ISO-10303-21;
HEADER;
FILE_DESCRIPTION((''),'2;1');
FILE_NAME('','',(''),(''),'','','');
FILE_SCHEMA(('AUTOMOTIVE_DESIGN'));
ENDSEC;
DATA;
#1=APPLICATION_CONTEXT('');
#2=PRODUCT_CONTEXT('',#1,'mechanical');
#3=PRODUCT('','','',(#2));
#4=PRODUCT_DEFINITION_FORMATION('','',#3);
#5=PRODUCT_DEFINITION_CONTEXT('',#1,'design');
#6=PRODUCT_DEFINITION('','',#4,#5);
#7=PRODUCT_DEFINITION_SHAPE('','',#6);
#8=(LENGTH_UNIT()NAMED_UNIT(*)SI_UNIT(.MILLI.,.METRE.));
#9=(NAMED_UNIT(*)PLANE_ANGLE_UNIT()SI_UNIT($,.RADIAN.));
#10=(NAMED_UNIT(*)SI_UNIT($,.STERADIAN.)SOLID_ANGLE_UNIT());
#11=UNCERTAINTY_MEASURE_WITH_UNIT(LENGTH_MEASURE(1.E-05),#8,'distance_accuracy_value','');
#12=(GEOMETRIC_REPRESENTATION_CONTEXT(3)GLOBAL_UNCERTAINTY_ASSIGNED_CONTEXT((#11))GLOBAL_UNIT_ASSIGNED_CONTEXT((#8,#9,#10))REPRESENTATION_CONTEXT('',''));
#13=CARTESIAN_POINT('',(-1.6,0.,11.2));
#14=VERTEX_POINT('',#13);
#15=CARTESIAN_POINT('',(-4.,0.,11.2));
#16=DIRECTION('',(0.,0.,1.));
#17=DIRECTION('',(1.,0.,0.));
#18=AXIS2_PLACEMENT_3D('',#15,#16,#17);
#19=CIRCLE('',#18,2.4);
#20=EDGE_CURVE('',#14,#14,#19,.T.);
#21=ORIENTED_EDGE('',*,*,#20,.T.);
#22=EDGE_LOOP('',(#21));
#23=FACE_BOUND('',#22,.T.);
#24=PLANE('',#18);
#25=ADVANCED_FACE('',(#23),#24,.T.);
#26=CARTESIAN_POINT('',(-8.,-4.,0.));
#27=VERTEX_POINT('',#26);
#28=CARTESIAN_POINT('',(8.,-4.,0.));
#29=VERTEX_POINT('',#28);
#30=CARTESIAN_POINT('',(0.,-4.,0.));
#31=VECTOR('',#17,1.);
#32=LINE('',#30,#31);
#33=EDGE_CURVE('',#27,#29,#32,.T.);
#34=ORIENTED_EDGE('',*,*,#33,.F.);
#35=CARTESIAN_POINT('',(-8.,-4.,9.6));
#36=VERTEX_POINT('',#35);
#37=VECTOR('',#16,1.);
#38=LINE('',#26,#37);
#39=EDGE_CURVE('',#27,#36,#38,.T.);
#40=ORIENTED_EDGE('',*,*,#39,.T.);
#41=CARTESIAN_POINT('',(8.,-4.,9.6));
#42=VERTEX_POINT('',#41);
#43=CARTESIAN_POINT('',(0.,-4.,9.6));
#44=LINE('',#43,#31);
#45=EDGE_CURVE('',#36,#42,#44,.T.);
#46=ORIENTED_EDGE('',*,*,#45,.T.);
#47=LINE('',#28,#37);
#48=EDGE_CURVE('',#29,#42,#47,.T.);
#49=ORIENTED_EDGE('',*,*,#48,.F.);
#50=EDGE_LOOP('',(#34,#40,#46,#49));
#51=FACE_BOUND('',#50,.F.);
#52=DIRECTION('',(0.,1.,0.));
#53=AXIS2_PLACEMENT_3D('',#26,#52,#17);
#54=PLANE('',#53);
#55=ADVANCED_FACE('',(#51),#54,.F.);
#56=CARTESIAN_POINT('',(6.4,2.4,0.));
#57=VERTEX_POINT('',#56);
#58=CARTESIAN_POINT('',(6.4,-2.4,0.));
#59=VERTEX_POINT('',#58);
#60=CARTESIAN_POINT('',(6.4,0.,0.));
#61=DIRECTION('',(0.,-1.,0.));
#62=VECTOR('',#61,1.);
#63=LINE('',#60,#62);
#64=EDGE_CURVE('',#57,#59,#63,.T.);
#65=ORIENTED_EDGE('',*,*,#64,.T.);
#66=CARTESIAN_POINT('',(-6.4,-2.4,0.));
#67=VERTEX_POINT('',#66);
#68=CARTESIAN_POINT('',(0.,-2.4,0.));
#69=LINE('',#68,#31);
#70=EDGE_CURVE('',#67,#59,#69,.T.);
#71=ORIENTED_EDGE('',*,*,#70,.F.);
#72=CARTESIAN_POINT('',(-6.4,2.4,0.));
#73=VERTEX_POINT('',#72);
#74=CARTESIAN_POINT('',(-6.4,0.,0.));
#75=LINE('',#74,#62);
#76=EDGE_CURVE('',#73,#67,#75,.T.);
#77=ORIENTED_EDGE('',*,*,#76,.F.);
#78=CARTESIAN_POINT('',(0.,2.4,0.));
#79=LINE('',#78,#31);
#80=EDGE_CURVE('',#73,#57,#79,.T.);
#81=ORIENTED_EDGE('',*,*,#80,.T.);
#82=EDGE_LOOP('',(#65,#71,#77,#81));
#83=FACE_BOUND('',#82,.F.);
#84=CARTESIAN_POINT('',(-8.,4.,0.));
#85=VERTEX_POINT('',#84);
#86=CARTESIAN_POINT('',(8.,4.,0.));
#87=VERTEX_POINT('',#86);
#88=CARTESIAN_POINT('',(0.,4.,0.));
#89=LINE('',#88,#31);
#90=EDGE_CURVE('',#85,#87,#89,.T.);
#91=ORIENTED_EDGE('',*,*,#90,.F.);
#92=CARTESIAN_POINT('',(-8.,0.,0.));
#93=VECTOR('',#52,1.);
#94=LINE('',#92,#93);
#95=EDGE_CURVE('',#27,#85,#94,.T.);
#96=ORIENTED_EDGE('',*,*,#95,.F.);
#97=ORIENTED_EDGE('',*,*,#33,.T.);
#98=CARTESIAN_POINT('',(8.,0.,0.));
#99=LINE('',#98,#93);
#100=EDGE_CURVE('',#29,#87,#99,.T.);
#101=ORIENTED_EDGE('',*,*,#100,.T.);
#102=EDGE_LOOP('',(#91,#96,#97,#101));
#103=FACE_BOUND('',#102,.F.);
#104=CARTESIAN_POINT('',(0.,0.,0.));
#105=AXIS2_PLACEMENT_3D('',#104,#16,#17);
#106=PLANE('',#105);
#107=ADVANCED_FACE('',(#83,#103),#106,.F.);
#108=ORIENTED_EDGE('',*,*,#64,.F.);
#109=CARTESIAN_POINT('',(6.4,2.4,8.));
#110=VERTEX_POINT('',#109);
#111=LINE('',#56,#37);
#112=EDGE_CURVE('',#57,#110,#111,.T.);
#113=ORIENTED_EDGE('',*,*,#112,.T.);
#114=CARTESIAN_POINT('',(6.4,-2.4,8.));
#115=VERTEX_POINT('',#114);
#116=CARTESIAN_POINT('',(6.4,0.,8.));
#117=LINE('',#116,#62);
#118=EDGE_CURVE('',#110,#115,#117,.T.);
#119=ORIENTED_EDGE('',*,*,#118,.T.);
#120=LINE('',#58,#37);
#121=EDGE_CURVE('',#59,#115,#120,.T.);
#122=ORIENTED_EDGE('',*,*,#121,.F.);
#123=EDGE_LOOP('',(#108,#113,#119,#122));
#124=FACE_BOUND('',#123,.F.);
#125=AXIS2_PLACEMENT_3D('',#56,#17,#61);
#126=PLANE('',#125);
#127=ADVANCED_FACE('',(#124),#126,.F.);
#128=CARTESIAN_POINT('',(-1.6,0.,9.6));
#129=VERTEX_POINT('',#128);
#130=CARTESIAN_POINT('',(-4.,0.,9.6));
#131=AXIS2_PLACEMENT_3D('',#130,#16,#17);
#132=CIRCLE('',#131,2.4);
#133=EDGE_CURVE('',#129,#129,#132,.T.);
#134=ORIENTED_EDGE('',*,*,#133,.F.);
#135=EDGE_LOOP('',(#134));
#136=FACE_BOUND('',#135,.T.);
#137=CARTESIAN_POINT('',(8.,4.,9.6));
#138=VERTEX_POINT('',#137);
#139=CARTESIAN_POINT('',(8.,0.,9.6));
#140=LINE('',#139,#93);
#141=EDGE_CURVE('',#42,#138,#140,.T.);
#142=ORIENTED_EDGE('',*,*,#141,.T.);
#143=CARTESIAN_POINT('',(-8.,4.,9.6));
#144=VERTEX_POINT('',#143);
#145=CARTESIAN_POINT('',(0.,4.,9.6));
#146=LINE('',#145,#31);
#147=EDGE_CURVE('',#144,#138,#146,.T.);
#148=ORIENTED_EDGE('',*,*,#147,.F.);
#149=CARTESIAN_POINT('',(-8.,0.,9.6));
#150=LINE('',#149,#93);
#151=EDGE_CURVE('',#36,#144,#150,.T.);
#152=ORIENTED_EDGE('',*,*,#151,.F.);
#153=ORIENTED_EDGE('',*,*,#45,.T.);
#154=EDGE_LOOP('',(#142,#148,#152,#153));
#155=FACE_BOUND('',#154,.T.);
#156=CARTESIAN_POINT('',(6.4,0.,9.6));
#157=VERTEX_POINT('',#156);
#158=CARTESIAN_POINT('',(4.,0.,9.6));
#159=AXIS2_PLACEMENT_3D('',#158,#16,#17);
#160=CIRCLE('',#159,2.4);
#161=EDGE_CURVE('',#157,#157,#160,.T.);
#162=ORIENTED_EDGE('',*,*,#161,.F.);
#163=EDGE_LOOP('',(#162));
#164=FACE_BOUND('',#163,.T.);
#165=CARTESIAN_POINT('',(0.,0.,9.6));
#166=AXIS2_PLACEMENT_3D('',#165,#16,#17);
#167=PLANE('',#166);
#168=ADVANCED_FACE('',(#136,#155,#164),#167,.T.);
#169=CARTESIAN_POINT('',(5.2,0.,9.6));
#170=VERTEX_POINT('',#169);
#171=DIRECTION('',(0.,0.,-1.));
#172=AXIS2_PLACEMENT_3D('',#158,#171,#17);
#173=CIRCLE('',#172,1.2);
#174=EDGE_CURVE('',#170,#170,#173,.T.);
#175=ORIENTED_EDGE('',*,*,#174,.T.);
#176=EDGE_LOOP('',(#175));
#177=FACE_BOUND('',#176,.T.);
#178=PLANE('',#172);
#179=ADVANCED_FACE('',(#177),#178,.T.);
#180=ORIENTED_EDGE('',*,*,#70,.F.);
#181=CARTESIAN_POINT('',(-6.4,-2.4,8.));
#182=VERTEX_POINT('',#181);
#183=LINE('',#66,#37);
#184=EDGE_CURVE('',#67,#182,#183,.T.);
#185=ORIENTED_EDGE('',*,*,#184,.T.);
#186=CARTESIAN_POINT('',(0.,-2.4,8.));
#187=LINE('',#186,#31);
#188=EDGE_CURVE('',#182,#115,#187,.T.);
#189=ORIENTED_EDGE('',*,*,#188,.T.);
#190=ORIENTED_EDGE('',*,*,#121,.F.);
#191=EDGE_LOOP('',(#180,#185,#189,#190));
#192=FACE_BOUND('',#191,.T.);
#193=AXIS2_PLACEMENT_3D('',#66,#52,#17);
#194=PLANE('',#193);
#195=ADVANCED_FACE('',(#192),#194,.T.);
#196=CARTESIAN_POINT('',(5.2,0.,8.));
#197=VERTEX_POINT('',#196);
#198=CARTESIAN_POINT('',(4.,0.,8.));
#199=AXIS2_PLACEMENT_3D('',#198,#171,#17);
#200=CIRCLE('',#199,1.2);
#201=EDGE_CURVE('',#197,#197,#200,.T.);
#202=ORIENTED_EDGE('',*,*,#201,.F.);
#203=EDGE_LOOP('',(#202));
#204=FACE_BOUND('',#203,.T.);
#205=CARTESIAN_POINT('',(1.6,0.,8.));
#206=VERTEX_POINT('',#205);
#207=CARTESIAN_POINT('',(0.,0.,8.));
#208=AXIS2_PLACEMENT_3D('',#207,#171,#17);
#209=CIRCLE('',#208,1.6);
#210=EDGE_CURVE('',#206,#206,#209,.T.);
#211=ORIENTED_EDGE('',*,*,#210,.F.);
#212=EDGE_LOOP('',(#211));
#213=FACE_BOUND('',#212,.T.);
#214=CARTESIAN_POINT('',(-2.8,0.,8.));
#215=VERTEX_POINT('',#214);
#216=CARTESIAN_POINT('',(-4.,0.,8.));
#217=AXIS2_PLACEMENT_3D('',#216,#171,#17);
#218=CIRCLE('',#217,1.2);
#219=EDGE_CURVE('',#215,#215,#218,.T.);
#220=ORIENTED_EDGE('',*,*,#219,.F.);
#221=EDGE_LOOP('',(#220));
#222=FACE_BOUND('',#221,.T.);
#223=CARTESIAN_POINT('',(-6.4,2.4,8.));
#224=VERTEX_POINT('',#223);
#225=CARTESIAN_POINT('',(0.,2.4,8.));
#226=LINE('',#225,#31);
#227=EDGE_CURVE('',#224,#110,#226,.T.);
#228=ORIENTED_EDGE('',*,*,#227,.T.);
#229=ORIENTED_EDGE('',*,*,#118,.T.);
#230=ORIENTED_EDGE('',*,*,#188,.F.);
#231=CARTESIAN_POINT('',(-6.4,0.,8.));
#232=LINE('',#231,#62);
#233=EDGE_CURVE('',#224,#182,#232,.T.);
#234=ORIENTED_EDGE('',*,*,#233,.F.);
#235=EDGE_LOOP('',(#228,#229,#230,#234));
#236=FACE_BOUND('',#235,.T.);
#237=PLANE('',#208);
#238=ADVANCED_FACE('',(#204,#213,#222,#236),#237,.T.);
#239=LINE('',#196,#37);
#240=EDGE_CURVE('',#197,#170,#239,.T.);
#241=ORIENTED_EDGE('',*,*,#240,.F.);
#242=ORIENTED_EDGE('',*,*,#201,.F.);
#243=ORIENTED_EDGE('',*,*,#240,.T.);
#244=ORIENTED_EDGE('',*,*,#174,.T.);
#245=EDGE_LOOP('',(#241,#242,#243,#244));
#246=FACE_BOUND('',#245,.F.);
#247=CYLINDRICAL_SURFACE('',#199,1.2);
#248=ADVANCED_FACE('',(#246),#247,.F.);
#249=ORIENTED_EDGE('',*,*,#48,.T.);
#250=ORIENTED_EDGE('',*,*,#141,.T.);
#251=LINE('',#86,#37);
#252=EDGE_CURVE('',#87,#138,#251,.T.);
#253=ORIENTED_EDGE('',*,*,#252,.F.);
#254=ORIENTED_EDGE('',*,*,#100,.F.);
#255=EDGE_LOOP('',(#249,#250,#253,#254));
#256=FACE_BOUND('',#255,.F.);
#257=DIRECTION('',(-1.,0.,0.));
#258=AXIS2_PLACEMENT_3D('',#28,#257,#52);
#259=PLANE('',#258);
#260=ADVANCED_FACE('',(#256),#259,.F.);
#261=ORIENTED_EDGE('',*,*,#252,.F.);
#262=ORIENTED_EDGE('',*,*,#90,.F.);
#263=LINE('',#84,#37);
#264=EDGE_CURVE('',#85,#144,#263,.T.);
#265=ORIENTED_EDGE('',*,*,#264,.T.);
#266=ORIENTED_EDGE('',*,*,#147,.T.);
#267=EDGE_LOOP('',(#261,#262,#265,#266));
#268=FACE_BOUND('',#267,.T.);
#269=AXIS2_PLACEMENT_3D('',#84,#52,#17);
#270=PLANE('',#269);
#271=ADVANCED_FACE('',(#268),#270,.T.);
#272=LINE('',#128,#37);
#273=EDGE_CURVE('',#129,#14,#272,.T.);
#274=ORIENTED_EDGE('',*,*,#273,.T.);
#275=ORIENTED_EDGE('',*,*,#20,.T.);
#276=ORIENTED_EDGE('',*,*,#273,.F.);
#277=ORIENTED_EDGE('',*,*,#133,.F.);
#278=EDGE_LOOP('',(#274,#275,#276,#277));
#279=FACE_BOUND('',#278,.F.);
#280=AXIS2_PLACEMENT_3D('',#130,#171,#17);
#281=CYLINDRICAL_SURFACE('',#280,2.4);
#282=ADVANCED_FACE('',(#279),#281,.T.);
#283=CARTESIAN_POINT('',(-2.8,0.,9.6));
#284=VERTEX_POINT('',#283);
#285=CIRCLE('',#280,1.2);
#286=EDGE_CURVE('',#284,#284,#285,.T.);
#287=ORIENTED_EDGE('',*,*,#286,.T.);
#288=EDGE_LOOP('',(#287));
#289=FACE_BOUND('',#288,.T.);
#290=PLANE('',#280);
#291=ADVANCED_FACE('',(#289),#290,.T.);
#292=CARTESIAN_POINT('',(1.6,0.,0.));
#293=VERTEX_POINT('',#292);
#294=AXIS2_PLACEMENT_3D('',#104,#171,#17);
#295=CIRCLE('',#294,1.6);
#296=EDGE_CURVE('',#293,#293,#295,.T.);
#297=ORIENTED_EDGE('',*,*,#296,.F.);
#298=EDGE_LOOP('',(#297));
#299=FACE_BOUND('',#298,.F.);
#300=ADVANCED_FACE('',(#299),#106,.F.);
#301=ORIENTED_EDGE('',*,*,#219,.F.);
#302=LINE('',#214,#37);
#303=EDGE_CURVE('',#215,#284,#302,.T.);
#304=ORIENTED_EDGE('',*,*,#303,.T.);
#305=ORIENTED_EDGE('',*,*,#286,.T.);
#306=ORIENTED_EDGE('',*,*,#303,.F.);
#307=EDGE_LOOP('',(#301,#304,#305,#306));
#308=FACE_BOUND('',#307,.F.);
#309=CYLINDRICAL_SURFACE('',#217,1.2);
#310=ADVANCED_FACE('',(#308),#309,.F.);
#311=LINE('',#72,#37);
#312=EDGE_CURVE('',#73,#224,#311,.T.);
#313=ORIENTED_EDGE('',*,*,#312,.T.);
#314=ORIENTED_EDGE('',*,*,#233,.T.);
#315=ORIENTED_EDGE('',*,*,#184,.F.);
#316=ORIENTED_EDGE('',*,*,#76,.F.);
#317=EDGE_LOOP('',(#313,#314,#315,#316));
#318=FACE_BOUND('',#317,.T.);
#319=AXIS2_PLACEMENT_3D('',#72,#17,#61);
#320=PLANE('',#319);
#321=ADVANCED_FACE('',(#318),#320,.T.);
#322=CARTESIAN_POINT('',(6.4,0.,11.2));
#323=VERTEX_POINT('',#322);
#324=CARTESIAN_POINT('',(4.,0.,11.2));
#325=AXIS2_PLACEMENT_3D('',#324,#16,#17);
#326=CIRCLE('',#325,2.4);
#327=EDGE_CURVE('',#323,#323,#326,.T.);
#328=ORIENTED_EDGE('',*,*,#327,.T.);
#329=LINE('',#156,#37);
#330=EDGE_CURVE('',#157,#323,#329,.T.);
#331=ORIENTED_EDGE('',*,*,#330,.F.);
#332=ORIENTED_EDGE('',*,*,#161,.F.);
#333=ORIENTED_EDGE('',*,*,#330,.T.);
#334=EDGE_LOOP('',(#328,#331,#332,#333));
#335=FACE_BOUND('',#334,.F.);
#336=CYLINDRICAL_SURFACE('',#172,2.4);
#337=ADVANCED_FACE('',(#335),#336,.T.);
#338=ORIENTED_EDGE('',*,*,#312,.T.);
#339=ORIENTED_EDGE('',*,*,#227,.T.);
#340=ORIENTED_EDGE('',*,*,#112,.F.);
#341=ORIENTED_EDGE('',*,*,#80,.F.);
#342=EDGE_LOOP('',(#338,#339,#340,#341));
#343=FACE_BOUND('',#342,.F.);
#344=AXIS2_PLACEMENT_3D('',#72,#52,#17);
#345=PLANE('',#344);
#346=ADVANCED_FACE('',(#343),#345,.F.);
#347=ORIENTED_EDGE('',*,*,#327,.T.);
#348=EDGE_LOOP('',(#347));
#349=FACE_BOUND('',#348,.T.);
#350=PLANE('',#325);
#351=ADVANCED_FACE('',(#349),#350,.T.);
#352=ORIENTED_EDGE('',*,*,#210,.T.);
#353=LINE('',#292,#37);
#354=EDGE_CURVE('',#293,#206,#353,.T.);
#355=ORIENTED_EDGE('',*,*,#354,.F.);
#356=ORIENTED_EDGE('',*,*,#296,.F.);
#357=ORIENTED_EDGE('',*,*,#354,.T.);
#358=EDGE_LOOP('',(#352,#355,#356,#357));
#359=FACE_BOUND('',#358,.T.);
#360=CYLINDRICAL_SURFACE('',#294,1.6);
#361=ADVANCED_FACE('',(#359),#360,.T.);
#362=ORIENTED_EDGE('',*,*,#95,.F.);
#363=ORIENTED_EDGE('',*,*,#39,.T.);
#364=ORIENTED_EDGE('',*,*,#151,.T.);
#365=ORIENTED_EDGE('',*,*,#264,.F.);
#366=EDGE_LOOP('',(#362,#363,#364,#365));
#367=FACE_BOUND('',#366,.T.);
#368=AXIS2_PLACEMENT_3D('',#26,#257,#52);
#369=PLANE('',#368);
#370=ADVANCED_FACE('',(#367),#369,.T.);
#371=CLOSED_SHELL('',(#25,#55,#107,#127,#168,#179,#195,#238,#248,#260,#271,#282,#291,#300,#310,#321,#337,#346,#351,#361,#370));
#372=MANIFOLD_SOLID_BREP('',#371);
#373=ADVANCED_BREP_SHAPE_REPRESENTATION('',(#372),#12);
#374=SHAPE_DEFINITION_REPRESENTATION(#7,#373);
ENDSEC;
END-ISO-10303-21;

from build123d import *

# Parameters (mm, degrees)
F0_W     = 16
F0_H     = 8
F1_DEPTH = 9.6
F2_W     = 12.8
F2_H     = 4.8
F2_R     = 1.6
F3_DEPTH = 8
F4_R     = 2.4
F5_DEPTH = 1.6
F6_R     = 1.2
F7_DEPTH = 1.6


with BuildPart() as f1:
    # F0 (on Top) → F1 (new body)
    with BuildSketch(Plane.XY):
        Rectangle(F0_W, F0_H)
    extrude(amount=F1_DEPTH)

    # F2 (on face) → F3 (cut)
    with BuildSketch(Plane(origin=(0, 0, 0), x_dir=(1, 0, 0), z_dir=(0, 0, -1))):
        Rectangle(F2_W, F2_H)
        Circle(F2_R, mode=Mode.SUBTRACT)
    extrude(amount=-F3_DEPTH, mode=Mode.SUBTRACT)

    # F4 (on face) → F5 (join)
    with BuildSketch(Plane.XY.offset(9.6)):
        with Locations((-4, 0)):
            Circle(F4_R)
        with Locations((4, 0)):
            Circle(F4_R)
    extrude(amount=F5_DEPTH)

    # F6 (on face) → F7 (cut)
    with BuildSketch(Plane(origin=(0, 0, 8), x_dir=(1, 0, 0), z_dir=(0, 0, -1))):
        with Locations((4, 0)):
            Circle(F6_R)
        with Locations((-4, 0)):
            Circle(F6_R)
    extrude(amount=-F7_DEPTH, mode=Mode.SUBTRACT)


solid = f1.part
